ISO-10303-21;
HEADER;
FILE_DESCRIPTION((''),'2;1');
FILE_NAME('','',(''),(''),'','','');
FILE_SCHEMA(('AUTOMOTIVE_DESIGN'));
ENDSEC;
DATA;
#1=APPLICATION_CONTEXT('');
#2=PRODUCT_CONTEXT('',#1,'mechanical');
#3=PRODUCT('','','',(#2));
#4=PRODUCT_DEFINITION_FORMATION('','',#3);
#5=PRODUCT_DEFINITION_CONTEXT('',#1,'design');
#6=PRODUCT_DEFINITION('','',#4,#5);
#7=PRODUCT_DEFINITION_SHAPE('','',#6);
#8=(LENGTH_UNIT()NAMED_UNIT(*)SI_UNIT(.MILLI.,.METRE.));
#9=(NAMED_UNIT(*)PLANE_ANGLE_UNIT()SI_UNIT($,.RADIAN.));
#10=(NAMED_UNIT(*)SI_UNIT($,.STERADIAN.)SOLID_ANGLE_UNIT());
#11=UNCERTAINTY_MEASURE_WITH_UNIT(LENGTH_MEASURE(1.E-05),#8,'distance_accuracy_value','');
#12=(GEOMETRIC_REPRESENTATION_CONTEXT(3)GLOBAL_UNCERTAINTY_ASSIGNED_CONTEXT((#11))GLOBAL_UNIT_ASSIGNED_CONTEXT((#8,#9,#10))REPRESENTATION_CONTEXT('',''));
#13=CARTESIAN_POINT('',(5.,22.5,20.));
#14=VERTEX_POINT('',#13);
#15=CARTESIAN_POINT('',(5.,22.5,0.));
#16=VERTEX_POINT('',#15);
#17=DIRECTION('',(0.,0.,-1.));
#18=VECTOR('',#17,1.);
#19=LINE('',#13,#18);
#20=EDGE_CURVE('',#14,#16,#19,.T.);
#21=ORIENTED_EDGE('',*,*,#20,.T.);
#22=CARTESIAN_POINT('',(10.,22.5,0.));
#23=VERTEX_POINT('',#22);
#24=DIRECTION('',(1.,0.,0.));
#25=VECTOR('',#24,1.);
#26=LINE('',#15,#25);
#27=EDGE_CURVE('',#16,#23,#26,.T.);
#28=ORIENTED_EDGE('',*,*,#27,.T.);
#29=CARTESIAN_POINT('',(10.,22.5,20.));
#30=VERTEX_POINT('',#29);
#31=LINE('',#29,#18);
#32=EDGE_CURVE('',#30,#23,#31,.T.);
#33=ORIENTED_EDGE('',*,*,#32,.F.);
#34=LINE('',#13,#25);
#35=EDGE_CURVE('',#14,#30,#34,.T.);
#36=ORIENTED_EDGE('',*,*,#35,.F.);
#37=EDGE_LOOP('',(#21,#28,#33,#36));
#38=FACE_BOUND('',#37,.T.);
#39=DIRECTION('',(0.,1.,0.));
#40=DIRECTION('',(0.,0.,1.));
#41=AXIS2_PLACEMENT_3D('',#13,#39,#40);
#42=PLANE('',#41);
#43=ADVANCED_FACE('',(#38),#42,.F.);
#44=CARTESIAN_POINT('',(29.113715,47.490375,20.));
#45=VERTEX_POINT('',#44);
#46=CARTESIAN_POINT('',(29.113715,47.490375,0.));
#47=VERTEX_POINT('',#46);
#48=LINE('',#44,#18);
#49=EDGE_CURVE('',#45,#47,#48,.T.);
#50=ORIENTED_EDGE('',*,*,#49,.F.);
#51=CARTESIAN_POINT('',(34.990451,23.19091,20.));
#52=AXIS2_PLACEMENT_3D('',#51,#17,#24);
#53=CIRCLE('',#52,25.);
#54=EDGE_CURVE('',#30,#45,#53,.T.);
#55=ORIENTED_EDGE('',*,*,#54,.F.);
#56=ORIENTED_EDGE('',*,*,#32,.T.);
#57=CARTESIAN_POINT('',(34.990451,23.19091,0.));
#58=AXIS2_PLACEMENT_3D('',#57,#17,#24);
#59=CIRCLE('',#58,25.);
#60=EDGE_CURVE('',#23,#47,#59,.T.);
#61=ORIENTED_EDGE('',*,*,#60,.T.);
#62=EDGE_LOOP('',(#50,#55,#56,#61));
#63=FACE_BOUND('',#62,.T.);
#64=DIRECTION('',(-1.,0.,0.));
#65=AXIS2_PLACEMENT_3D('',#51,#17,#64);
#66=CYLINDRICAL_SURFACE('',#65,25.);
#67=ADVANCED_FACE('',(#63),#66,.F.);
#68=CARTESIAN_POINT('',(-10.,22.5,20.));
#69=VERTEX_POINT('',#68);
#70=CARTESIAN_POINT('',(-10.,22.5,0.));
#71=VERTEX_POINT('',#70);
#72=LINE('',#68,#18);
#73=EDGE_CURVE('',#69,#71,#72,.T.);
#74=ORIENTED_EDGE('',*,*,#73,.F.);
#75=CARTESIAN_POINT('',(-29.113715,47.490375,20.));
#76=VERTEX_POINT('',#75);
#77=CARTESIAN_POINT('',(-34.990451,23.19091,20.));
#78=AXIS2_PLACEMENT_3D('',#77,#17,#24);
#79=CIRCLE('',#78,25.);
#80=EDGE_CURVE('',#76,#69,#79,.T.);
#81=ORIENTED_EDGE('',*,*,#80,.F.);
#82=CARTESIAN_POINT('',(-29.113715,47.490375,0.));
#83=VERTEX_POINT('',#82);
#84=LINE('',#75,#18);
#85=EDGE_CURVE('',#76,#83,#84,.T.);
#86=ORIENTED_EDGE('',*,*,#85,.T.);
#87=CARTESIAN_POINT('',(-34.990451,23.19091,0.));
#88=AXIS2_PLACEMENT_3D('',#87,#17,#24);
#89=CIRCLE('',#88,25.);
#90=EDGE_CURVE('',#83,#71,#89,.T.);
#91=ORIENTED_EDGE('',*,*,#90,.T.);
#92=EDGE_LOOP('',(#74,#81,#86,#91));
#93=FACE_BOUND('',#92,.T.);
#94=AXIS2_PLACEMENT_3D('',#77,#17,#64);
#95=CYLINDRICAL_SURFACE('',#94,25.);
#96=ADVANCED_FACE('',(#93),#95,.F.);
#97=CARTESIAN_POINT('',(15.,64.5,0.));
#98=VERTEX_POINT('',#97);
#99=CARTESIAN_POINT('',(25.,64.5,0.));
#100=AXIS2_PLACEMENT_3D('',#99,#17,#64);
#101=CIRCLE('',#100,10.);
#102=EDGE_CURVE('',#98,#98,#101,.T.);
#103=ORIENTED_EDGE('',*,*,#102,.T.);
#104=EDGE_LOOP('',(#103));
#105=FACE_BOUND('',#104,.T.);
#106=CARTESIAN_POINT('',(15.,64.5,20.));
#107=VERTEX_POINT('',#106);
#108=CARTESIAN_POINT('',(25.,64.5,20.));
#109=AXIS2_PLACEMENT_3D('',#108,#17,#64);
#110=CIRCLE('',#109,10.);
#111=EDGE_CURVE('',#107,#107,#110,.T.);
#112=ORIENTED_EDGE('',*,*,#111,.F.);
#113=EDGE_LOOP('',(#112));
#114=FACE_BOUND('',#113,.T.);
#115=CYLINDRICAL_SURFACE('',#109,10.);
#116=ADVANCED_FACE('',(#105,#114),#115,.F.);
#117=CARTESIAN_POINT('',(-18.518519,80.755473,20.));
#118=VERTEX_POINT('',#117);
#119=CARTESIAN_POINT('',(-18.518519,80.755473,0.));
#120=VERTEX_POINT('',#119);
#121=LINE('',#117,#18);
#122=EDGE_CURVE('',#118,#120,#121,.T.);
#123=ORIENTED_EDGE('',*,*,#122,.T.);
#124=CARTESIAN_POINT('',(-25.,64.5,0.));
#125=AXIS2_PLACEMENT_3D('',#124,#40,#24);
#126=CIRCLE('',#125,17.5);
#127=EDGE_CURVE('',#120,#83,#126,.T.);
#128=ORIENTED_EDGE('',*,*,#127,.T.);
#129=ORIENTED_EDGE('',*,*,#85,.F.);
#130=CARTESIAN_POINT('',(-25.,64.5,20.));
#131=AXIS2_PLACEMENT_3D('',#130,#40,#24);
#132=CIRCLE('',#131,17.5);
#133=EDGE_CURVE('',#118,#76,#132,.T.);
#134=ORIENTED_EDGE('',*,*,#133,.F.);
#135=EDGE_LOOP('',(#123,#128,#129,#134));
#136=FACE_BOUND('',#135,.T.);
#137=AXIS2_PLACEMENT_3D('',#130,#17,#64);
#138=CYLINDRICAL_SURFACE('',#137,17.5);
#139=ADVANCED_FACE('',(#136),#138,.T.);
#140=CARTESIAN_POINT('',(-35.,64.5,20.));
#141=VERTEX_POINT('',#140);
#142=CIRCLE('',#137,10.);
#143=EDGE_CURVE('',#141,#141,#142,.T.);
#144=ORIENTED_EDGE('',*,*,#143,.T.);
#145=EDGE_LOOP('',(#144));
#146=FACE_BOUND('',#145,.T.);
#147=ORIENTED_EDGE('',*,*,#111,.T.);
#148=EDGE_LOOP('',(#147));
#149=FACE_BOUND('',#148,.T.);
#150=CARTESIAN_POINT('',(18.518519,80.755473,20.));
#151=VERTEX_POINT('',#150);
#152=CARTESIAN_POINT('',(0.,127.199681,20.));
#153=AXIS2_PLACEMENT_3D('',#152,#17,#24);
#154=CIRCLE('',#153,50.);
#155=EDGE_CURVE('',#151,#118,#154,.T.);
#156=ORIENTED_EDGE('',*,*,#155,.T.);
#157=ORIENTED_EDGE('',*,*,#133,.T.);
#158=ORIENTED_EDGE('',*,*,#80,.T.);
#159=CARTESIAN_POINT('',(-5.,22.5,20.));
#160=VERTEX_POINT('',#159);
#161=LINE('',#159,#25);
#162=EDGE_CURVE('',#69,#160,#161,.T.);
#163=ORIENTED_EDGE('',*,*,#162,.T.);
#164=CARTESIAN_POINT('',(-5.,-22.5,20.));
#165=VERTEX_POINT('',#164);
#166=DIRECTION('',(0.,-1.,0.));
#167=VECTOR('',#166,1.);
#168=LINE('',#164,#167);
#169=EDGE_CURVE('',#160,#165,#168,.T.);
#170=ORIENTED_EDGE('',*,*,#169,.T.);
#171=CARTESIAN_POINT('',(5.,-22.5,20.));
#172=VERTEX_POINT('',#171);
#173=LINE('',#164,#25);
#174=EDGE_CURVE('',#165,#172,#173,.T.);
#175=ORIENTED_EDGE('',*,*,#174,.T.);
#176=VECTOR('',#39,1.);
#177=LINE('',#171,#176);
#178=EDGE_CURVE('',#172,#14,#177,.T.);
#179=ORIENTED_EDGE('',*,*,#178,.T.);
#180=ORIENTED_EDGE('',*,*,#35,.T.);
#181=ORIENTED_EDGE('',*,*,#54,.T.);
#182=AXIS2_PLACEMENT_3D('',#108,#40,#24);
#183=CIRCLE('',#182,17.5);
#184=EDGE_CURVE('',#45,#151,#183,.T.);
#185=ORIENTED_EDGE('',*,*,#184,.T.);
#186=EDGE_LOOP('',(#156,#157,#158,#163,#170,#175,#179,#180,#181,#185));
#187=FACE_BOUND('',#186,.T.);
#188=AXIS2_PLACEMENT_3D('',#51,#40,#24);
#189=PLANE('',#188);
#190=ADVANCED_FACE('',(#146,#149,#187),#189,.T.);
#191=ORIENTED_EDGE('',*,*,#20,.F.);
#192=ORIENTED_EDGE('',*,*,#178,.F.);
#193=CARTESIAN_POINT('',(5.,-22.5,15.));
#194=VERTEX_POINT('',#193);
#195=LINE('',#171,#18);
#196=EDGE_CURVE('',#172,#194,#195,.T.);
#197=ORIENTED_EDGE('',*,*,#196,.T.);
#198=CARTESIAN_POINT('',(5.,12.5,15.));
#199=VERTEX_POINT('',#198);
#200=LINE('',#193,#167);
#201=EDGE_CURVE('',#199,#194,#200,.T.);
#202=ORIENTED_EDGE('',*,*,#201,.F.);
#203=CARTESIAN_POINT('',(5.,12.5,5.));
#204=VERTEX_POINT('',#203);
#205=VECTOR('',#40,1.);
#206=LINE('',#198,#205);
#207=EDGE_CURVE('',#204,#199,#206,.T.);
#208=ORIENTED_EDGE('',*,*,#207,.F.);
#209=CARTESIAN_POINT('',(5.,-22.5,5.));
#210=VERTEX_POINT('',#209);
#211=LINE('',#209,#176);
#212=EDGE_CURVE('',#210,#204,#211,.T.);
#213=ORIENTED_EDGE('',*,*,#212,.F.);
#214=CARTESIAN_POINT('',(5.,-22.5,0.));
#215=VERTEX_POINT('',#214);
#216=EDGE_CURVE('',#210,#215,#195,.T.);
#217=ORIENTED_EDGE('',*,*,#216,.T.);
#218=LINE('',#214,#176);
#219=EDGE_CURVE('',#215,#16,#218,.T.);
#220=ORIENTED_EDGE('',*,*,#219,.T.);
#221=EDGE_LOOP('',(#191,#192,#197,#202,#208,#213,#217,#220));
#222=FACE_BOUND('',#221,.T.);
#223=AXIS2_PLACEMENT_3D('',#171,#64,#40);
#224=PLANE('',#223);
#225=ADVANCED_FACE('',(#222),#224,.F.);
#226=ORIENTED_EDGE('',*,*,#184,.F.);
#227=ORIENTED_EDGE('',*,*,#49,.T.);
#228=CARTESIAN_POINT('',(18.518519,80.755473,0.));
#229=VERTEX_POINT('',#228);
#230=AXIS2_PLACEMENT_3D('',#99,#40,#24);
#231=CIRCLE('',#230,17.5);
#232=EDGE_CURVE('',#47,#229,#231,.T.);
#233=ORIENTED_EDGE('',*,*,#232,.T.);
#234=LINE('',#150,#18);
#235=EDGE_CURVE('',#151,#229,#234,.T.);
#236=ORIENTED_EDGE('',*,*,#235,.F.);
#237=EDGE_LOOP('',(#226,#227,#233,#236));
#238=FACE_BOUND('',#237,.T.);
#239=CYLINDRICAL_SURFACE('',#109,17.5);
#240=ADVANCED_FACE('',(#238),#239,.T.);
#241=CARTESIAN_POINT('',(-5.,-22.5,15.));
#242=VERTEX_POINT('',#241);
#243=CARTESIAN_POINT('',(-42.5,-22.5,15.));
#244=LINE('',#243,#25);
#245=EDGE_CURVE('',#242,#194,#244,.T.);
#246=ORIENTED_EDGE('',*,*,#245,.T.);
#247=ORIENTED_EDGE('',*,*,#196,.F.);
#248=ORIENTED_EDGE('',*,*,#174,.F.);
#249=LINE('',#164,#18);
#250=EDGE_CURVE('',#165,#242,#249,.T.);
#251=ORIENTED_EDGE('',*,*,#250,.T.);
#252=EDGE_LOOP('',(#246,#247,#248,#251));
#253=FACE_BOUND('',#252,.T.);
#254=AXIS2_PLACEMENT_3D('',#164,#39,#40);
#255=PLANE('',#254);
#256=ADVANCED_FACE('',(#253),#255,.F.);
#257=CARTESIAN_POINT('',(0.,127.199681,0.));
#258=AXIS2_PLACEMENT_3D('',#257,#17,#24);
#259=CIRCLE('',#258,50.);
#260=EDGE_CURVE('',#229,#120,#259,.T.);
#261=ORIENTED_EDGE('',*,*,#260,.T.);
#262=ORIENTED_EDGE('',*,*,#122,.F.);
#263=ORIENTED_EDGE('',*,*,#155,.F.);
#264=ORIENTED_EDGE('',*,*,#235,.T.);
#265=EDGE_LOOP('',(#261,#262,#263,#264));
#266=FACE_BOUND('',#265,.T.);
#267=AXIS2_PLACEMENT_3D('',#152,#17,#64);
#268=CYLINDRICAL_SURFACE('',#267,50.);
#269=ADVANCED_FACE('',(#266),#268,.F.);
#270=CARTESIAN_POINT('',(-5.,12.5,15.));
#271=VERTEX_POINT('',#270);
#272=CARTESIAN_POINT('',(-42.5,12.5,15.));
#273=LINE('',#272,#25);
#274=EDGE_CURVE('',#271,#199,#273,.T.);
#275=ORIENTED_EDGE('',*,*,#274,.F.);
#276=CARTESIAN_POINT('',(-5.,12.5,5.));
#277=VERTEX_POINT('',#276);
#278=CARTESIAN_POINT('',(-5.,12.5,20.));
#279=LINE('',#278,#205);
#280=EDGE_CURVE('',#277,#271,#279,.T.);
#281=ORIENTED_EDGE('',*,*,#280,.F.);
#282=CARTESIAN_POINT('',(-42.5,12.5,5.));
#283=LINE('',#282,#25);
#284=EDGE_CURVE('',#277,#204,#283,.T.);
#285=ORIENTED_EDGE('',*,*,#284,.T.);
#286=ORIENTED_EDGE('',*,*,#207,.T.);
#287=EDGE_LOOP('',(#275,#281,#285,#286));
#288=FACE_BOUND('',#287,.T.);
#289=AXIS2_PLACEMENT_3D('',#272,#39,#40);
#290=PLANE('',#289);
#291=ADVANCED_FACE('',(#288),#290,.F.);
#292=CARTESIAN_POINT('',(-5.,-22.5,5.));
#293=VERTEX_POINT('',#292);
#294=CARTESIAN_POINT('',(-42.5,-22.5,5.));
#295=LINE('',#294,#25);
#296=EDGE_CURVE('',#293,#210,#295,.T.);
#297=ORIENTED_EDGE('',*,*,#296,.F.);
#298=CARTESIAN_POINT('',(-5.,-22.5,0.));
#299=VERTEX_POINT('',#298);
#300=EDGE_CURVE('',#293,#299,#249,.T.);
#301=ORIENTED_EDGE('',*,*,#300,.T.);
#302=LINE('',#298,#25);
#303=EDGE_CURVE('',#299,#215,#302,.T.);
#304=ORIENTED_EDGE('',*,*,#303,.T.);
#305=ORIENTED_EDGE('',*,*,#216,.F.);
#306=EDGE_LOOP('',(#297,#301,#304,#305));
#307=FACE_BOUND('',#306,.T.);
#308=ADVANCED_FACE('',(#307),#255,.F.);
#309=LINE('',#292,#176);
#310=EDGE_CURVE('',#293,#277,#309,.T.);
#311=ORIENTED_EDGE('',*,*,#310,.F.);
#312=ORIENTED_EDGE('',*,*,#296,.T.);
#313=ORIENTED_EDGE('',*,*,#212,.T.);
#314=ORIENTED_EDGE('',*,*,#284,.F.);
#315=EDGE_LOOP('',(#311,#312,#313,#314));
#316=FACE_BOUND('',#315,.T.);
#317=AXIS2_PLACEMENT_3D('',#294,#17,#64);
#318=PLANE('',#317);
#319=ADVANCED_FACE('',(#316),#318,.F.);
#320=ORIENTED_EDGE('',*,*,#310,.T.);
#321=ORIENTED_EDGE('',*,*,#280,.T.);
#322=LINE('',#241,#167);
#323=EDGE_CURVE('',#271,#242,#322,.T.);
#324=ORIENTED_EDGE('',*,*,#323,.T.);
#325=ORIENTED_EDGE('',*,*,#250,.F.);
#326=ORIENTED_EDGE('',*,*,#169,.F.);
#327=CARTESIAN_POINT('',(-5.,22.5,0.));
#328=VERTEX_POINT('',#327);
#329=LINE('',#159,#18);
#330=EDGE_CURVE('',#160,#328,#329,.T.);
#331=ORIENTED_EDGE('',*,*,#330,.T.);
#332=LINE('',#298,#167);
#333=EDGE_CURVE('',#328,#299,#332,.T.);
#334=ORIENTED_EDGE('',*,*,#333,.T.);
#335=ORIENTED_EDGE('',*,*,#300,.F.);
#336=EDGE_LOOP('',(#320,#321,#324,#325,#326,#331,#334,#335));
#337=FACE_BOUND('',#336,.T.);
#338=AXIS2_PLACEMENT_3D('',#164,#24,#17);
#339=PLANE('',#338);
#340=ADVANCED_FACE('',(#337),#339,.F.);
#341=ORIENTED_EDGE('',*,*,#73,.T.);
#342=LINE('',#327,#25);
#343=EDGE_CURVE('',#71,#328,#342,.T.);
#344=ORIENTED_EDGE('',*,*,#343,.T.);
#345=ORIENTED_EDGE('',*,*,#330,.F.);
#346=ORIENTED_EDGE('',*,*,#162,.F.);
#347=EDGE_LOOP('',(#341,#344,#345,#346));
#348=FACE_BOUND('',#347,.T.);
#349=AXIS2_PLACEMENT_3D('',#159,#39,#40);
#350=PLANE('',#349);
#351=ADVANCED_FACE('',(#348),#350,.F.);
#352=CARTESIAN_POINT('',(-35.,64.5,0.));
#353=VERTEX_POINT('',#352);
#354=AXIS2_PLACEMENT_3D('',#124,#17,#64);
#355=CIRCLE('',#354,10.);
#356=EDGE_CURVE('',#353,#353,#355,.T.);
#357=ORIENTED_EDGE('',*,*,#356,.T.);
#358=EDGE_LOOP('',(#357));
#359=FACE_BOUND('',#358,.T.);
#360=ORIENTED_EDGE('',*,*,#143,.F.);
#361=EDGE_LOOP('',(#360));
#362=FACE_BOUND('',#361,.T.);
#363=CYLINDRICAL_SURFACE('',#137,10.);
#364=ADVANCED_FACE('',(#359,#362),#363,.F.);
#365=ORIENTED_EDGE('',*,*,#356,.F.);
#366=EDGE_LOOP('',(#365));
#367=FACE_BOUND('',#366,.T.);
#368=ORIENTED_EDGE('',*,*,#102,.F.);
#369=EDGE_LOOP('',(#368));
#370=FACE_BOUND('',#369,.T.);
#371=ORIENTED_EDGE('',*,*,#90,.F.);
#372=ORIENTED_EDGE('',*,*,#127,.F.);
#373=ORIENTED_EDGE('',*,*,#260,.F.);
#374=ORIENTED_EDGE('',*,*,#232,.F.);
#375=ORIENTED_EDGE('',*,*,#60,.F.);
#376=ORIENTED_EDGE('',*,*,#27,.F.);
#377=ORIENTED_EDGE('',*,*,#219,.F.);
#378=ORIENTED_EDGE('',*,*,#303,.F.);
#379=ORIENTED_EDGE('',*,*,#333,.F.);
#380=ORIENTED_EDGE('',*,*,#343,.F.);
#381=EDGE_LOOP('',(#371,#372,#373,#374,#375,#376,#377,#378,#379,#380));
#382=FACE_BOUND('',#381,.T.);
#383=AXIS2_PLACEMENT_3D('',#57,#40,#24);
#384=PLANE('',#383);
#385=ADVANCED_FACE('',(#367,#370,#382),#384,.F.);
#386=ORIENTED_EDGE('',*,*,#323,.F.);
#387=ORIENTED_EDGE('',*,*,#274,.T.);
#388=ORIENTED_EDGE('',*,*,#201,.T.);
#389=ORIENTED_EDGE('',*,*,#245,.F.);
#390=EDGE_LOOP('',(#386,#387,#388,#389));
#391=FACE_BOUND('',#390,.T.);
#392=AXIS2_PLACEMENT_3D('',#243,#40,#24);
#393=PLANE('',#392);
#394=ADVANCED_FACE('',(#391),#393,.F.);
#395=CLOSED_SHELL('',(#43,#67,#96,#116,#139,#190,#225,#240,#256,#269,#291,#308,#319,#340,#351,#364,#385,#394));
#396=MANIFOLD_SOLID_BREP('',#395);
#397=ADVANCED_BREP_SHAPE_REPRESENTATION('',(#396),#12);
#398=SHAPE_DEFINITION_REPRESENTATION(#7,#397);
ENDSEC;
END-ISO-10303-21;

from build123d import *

# Parameters (mm, degrees)
BOSS_EXTRUDE1_DEPTH = 20
SKETCH3_W           = 10
SKETCH3_H           = 35
CUT_EXTRUDE1_DEPTH  = 48.5
SKETCH4_R           = 10
CUT_EXTRUDE2_DEPTH  = 21


with BuildPart() as part:
    # Sketch1 → Boss-Extrude1 (new body)
    with BuildSketch(Plane.XY):
        with BuildLine():
            Line((-5, -22.5), (5, -22.5))
            Line((5, -22.5), (5, 22.5))
            Line((5, 22.5), (10, 22.5))
            ThreePointArc((10, 22.5), (15.132819854, 38.37888203), (29.113715132, 47.490374848))
            ThreePointArc((29.113715132, 47.490374848), (41.674629404, 69.811001246), (18.518518519, 80.755472857))
            ThreePointArc((18.518518519, 80.755472857), (0, 77.19968102), (-18.518518519, 80.755472857))
            ThreePointArc((-18.518518519, 80.755472857), (-41.674629404, 69.811001246), (-29.113715132, 47.490374848))
            ThreePointArc((-29.113715132, 47.490374848), (-15.132819854, 38.37888203), (-10, 22.5))
            Line((-10, 22.5), (-5, 22.5))
            Line((-5, 22.5), (-5, -22.5))
        make_face()
    extrude(amount=BOSS_EXTRUDE1_DEPTH)

    # Sketch3 → Cut-Extrude1 (cut, through all)
    with BuildSketch(Plane(origin=(5, 0, 0), x_dir=(0, 0, -1), z_dir=(1, 0, 0))):
        with Locations((-10, -5)):
            Rectangle(SKETCH3_W, SKETCH3_H)
    extrude(amount=-CUT_EXTRUDE1_DEPTH, mode=Mode.SUBTRACT)

    # Sketch4 → Cut-Extrude2 (cut, through all)
    with BuildSketch(Plane(origin=(0, 0, 0), x_dir=(-1, 0, 0), z_dir=(0, 0, -1))):
        with Locations((-25, 64.5)):
            Circle(SKETCH4_R)
        with Locations((25, 64.5)):
            Circle(SKETCH4_R)
    extrude(amount=-CUT_EXTRUDE2_DEPTH, mode=Mode.SUBTRACT)


solid = part.part
